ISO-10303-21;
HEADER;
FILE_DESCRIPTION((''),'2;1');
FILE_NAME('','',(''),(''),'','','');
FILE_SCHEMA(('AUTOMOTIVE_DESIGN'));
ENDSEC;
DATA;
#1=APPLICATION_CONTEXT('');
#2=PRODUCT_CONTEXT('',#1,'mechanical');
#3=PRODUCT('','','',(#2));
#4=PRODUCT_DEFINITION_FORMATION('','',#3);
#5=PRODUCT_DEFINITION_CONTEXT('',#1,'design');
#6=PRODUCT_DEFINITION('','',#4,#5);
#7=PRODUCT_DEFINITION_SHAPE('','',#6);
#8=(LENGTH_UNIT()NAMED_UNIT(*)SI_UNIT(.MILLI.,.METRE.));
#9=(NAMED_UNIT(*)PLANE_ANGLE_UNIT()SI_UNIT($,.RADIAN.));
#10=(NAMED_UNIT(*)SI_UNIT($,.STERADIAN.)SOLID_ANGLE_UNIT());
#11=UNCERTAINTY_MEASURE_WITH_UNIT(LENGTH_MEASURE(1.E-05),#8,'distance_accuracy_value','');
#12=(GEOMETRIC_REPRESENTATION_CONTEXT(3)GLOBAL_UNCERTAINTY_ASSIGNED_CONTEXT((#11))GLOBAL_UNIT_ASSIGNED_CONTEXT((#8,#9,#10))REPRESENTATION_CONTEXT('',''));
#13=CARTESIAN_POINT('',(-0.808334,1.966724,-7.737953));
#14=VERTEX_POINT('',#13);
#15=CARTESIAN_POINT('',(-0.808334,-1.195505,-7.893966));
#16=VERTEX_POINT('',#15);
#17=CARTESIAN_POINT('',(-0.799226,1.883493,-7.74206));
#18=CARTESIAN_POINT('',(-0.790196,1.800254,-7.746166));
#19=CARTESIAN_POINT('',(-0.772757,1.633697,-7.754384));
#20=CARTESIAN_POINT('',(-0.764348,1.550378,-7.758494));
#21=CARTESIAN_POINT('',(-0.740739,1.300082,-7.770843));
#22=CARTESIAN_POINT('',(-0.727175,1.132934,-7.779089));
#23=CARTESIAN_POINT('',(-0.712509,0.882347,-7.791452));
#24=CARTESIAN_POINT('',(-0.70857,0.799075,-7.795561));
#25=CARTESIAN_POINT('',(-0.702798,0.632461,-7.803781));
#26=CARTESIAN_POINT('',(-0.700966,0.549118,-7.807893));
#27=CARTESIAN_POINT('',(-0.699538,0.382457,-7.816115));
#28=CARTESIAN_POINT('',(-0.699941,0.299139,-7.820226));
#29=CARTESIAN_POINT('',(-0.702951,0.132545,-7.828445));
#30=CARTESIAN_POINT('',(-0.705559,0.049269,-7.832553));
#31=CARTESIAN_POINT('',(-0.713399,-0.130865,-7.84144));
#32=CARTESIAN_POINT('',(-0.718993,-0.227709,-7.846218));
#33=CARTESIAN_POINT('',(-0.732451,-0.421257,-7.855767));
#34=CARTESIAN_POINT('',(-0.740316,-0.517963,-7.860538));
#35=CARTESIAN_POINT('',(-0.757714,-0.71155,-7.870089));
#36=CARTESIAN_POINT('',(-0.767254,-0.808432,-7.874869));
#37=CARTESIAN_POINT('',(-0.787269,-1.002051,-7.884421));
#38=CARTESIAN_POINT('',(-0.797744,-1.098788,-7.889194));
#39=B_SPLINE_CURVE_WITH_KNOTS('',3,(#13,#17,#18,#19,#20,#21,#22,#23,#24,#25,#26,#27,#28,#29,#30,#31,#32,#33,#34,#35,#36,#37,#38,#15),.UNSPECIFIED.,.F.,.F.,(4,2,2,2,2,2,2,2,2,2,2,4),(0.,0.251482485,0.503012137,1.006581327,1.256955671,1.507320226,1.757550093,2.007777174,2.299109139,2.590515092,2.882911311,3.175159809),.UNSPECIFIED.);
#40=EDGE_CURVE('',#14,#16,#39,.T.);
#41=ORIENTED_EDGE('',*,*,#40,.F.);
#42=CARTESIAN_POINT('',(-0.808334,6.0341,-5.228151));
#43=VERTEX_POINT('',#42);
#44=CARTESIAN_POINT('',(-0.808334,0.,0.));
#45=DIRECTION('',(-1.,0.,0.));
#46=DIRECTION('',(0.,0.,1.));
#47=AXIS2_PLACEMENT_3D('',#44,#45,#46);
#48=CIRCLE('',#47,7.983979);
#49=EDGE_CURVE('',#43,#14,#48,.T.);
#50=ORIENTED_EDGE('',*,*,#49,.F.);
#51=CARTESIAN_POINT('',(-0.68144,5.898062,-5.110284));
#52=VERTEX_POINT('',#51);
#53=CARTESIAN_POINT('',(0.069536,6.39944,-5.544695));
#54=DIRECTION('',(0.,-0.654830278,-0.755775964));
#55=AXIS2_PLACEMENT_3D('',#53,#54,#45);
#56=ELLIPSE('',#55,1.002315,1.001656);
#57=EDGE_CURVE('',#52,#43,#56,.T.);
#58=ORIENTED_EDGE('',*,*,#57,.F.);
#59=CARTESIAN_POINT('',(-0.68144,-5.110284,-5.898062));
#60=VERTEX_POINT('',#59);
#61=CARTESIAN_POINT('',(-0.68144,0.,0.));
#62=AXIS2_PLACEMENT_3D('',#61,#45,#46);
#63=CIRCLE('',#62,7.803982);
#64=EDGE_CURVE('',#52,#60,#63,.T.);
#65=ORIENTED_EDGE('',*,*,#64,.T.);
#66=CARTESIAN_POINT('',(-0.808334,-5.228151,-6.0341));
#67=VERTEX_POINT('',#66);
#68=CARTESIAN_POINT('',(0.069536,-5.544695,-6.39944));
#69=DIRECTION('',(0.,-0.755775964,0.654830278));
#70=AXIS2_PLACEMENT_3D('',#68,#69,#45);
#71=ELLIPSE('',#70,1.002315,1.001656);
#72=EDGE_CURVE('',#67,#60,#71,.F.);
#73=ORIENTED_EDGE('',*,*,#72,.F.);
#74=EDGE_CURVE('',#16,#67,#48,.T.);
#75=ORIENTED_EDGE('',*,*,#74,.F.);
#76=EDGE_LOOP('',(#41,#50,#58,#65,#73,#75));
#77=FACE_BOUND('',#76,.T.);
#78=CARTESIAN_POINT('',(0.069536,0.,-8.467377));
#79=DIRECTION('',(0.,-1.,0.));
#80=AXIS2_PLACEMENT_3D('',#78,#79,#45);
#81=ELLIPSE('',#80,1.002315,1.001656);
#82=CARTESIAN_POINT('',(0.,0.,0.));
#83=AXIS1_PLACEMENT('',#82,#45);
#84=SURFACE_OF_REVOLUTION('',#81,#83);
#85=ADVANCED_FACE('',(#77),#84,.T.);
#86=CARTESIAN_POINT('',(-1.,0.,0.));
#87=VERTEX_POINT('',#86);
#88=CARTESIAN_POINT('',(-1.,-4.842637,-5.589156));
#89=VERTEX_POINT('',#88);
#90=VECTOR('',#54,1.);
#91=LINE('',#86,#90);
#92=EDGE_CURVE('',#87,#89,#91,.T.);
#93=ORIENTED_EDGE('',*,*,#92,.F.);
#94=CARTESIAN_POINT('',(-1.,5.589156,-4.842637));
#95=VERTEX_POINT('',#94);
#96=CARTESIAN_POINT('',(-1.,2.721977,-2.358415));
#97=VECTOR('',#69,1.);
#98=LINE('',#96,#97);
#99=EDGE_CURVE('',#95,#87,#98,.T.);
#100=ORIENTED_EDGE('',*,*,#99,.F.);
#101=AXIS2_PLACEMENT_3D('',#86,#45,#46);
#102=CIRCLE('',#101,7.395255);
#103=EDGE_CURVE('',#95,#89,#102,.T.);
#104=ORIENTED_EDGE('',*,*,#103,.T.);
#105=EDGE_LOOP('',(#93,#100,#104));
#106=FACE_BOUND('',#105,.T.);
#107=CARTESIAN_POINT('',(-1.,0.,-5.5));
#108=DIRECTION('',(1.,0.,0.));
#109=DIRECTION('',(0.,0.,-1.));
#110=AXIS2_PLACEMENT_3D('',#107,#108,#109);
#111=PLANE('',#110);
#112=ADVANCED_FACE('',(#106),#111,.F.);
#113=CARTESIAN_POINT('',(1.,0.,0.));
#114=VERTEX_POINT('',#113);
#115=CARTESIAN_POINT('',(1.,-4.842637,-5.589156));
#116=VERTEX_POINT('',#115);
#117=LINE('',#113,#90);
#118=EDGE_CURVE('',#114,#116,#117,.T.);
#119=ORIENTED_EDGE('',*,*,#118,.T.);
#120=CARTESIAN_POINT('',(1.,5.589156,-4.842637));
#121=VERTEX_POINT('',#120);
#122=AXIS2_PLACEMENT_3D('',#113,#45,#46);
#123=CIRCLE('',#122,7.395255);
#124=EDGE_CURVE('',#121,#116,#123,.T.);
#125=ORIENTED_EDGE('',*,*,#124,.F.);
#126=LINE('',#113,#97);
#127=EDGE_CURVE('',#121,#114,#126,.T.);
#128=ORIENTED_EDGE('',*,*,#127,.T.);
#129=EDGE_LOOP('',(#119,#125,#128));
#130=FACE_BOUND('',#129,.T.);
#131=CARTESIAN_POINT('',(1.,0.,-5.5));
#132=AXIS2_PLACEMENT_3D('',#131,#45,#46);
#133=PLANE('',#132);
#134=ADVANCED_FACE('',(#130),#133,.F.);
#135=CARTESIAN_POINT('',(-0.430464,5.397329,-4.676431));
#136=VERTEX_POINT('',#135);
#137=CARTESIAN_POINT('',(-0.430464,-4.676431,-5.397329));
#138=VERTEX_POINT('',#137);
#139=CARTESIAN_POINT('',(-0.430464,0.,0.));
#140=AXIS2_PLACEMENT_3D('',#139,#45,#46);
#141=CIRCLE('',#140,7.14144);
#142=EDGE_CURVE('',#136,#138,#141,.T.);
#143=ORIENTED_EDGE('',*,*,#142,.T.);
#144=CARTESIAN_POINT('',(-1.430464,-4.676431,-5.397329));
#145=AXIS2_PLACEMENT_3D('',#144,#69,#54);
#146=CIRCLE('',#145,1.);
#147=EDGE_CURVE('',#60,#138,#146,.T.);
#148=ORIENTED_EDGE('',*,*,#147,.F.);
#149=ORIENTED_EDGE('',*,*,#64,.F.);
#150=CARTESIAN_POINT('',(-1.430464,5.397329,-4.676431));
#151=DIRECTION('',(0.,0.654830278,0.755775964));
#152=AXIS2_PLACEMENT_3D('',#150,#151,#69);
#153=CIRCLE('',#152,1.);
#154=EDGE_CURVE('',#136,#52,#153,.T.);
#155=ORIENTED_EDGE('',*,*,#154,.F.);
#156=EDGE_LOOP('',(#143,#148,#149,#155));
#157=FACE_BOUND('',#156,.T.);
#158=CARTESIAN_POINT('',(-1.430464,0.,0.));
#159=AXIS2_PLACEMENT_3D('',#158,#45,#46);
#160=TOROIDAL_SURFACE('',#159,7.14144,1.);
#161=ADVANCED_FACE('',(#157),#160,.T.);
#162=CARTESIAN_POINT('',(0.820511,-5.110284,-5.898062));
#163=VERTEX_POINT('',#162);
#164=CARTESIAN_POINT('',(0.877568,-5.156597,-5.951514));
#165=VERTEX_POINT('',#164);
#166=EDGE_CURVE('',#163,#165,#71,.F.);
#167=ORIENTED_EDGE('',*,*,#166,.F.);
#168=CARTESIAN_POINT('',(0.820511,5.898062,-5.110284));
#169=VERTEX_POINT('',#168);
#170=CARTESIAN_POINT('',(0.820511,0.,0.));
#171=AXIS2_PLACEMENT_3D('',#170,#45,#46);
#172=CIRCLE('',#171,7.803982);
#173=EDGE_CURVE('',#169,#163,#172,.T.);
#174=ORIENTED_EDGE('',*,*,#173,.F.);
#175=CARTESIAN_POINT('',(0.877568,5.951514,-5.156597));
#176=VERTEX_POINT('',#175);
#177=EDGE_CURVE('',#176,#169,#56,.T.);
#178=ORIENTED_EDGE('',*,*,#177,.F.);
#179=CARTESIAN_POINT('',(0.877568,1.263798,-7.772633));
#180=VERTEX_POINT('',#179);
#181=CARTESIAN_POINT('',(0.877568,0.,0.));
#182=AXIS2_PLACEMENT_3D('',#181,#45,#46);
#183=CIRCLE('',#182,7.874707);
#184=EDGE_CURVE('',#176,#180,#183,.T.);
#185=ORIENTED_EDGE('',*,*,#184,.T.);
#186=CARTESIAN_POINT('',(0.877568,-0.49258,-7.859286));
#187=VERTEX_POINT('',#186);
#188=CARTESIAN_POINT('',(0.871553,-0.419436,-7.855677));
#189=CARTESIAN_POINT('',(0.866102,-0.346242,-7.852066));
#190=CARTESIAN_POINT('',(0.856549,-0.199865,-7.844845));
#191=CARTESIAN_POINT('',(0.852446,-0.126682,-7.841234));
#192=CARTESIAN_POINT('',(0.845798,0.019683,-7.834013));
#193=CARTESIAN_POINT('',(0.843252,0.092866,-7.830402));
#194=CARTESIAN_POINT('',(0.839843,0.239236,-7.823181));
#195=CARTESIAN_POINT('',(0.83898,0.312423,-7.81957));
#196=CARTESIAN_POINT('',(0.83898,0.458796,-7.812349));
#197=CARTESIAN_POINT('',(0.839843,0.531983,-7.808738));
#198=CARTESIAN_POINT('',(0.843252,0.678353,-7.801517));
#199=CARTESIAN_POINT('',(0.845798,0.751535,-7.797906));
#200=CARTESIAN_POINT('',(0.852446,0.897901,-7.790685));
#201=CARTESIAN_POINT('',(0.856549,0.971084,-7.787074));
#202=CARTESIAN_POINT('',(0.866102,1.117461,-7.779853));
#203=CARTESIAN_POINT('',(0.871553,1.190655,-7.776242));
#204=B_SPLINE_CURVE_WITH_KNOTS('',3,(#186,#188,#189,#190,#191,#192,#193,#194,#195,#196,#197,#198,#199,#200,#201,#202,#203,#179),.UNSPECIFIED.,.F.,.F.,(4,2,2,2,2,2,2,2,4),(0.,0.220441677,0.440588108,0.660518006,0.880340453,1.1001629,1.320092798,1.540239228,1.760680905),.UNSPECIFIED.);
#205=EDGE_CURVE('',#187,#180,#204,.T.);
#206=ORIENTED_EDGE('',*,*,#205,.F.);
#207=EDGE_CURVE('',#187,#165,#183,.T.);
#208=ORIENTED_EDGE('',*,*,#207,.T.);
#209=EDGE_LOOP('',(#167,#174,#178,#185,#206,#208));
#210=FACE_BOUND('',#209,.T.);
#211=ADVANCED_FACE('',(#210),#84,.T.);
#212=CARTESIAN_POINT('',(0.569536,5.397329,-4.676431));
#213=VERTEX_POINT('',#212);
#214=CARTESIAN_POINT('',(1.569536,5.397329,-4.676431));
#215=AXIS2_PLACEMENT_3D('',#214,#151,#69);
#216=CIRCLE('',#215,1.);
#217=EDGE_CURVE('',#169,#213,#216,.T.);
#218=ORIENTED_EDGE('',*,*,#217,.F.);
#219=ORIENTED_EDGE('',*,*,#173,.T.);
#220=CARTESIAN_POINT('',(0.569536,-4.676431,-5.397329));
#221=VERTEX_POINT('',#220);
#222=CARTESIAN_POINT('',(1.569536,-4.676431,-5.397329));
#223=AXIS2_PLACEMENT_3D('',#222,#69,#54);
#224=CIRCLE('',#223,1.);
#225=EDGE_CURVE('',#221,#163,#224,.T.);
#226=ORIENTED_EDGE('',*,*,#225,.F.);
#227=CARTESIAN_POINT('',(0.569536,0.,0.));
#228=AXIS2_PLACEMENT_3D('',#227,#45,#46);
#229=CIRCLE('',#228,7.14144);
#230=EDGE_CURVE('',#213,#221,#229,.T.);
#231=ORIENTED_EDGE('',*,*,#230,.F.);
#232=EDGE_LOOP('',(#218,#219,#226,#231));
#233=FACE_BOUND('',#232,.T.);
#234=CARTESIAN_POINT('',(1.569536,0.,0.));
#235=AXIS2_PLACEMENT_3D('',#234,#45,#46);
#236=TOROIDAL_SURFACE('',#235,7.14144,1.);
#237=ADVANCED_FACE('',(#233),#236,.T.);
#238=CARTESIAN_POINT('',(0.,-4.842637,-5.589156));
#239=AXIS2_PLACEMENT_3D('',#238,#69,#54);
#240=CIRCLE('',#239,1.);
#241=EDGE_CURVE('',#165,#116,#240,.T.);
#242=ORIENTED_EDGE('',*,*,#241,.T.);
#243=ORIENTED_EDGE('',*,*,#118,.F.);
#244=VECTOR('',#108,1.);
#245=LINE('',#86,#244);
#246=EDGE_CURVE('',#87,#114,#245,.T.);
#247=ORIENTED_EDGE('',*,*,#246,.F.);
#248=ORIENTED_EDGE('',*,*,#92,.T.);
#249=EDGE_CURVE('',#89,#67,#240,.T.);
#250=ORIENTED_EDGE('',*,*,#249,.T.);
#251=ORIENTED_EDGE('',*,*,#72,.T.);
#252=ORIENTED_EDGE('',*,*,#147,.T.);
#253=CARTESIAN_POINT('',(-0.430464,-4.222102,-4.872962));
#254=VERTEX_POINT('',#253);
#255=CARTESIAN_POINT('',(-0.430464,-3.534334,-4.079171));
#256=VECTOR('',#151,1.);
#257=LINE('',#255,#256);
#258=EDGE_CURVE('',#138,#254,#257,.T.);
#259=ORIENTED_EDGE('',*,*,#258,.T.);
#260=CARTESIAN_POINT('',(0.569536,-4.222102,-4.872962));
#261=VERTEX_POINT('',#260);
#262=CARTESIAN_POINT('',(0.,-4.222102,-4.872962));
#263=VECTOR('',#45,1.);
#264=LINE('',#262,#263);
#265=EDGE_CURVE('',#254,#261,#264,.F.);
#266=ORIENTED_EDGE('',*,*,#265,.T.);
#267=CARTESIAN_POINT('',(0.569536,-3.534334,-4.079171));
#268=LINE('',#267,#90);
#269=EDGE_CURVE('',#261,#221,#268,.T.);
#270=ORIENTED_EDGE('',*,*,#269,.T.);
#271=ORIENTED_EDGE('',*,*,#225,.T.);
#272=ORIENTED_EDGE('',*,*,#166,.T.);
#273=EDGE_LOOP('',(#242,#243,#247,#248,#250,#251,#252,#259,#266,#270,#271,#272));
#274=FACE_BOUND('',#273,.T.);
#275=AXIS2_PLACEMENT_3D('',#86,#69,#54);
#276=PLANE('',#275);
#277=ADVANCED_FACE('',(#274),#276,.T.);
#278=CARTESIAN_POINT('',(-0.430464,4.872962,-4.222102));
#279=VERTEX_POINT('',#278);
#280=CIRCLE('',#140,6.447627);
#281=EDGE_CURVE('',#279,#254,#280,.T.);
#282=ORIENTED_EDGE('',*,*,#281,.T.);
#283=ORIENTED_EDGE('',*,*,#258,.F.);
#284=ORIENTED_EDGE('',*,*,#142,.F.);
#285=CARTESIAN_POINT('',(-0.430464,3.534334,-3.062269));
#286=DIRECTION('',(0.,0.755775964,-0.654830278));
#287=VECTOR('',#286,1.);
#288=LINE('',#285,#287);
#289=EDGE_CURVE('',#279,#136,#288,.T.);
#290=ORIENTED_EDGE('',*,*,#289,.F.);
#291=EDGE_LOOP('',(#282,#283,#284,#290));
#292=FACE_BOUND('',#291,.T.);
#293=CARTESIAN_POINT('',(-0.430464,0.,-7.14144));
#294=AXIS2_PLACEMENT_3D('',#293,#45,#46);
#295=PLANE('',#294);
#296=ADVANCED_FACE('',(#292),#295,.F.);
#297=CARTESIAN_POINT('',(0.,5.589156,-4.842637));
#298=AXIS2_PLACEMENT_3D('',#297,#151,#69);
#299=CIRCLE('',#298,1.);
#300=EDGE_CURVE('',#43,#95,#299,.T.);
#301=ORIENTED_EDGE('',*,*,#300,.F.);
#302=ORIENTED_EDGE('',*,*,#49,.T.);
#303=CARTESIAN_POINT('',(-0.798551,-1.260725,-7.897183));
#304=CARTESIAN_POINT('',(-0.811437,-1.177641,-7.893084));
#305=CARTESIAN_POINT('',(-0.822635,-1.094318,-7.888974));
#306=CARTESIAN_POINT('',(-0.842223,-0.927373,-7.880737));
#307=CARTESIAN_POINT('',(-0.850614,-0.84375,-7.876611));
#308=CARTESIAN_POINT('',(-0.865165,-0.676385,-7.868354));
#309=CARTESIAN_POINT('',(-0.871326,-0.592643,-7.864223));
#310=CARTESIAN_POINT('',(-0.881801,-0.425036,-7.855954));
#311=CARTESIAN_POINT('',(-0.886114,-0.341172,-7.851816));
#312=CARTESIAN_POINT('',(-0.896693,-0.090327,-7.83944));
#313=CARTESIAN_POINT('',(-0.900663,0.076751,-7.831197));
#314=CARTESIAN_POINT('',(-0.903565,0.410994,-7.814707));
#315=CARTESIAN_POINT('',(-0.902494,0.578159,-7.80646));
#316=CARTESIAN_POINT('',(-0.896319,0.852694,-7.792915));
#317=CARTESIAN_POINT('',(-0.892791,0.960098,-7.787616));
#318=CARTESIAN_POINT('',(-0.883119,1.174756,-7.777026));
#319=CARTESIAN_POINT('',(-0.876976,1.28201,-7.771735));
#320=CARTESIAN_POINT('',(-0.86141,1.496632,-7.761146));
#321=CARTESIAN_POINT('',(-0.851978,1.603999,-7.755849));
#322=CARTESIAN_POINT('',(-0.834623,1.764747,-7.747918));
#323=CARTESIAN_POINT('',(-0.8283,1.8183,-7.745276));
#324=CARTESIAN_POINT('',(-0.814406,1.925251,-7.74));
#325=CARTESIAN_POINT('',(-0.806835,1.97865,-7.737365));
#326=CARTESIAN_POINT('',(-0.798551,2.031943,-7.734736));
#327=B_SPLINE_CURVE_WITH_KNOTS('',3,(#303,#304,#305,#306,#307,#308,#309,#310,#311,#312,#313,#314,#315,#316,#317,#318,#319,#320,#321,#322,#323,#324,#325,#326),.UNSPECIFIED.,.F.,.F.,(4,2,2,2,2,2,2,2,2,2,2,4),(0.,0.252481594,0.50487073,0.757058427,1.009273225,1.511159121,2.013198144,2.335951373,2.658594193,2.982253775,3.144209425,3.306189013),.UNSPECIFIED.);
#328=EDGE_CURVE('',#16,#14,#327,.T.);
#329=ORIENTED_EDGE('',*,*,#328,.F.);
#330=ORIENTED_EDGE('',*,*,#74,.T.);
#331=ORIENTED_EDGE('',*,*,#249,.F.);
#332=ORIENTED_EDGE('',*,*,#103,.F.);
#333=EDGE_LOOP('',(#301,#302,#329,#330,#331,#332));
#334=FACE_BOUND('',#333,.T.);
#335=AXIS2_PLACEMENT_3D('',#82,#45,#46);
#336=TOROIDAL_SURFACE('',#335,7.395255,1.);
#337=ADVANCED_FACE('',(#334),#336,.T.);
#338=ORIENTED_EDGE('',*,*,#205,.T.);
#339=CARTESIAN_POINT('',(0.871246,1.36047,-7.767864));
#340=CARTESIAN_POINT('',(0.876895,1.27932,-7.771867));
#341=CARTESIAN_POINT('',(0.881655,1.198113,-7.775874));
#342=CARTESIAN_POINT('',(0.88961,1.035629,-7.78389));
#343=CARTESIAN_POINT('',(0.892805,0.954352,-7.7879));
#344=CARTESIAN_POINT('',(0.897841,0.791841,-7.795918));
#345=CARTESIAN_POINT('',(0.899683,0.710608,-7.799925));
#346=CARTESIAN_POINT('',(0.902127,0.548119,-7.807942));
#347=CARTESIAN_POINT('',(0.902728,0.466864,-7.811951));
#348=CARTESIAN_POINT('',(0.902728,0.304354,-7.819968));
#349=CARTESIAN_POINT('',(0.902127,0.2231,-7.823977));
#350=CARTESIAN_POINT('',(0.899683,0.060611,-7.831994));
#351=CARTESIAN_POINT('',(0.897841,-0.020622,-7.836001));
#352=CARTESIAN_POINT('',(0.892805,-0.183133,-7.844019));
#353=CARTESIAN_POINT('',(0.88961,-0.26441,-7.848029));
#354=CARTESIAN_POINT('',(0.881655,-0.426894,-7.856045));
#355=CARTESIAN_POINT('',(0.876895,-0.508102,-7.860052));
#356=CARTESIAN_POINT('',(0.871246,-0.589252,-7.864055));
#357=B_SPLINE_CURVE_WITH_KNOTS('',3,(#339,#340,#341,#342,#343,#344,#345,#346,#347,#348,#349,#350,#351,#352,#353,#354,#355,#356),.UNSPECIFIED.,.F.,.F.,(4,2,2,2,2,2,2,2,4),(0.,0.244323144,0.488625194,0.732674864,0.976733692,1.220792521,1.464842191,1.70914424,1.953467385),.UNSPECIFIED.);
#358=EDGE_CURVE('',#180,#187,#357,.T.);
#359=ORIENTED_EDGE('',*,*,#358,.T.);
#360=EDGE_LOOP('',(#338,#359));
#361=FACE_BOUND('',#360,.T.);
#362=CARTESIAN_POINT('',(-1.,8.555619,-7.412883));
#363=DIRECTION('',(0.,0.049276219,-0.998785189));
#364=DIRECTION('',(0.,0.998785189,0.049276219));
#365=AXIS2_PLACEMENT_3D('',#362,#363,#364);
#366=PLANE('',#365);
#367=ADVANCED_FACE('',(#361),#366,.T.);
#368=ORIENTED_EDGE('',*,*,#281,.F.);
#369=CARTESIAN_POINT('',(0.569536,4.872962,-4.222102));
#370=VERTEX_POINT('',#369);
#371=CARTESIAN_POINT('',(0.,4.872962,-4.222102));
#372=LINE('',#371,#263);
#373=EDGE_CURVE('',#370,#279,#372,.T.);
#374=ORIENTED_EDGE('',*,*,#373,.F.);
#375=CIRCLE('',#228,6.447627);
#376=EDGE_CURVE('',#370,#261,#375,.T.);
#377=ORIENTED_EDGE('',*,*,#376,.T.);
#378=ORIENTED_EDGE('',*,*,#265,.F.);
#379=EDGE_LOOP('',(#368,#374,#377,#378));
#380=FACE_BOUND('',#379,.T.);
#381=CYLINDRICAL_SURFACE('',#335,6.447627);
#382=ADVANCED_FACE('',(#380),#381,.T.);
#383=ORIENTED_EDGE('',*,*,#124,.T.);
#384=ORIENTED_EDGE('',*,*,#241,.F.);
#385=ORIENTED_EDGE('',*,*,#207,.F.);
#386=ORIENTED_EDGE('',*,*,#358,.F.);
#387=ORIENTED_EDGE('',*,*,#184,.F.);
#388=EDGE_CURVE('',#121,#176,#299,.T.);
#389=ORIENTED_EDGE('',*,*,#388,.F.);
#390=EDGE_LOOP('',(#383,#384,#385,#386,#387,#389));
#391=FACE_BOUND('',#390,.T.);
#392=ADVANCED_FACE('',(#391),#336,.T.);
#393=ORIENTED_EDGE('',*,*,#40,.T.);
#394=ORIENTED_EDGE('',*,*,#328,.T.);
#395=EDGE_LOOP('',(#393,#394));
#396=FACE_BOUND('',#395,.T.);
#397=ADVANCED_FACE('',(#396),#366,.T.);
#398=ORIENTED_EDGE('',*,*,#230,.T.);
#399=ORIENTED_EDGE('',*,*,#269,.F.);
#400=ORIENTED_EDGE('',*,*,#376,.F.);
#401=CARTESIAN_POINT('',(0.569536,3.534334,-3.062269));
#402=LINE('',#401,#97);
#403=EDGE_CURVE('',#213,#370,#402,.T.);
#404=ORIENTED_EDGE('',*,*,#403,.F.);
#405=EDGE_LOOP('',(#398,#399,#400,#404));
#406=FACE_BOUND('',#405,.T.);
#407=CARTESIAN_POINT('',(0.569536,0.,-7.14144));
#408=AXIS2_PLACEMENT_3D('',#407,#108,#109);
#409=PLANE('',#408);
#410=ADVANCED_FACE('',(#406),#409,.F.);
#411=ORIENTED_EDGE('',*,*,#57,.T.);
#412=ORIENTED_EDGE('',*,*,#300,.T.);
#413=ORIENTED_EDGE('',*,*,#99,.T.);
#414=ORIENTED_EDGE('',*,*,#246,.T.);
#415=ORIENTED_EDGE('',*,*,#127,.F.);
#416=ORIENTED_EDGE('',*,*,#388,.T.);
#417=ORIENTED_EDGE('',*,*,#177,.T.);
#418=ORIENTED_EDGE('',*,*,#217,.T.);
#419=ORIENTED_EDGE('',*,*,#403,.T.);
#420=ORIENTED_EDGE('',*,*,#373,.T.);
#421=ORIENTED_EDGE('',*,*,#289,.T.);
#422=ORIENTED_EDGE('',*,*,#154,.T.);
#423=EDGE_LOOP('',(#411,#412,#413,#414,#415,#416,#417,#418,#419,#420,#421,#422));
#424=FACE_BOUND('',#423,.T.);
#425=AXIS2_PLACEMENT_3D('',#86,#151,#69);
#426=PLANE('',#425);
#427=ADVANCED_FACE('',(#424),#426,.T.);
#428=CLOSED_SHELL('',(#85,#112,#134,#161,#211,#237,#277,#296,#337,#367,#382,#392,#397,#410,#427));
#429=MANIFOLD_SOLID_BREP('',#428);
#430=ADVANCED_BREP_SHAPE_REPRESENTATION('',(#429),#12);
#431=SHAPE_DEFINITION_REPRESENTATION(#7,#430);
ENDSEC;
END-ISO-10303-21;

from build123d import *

# Parameters (mm, degrees)
CUT_EXTRUDE1_DEPTH      = 12.33524834
CUT_EXTRUDE1_DEPTH_BACK = 12.33524834
SKETCH3_OUTSIDE_W       = 22.502
SKETCH3_OUTSIDE_H       = 22.502


with BuildPart() as part:
    # Sketch2 → Revolve1 (revolve)
    with BuildSketch(Plane(origin=(0, 0, 0), x_dir=(1, 0, 0), z_dir=(0, 1, 0)), mode=Mode.PRIVATE) as revolve1_sk:
        with BuildLine():
            Line((-1, 0), (1, 0))
            Line((1, 0), (1, 5.5))
            Line((1, 5.5), (1, 7.395254938))
            ThreePointArc((1, 7.395254938), (0.968908672, 7.642673583), (0.877568029, 7.874707079))
            add(Edge.make_bspline(
                [(0.820511391, 7.803982399), (0.850646042, 7.838050546), (0.877568029, 7.874707079)],
                knots=[2.4177114, 2.4177114, 2.4177114, 2.508439234, 2.508439234, 2.508439234], degree=2, weights=[1, 0.998971234, 1]))
            ThreePointArc((0.820511391, 7.803982399), (0.634382255, 7.495682579), (0.569535838, 7.14144004))
            Line((0.569535838, 7.14144004), (0.569535838, 6.447627469))
            Line((0.569535838, 6.447627469), (-0.430464162, 6.447627469))
            Line((-0.430464162, 6.447627469), (-0.430464162, 7.14144004))
            ThreePointArc((-0.430464162, 7.14144004), (-0.495310579, 7.495682579), (-0.681439715, 7.803982399))
            add(Edge.make_bspline(
                [(-0.80833384, 7.983979325), (-0.754845236, 7.886969591), (-0.681439715, 7.803982399)],
                knots=[0.503618874, 0.503618874, 0.503618874, 0.723881254, 0.723881254, 0.723881254], degree=2, weights=[1, 0.993941688, 1]))
            ThreePointArc((-0.80833384, 7.983979325), (-0.950876921, 7.704824123), (-1, 7.395254938))
            Line((-1, 7.395254938), (-1, 5.5))
            Line((-1, 5.5), (-1, 0))
        make_face()
    revolve(revolve1_sk.sketch.rotate(Axis((0, 0, 0), (1, 0, 0)), 180), axis=Axis((0, 0, 0), (1, 0, 0)))

    # Sketch3 outside → Cut-Extrude1 (cut, two sides: drawn at the far end of the back side and taken through both)
    with BuildSketch(Plane(origin=(0, 0, 0), x_dir=(0, 0, -1), z_dir=(1, 0, 0)).offset(-CUT_EXTRUDE1_DEPTH_BACK)):
        Rectangle(SKETCH3_OUTSIDE_W, SKETCH3_OUTSIDE_H)
        Polygon((0, 0), (7.412882699, 8.555619308), (8.184858407, -7.091642708), align=None, mode=Mode.SUBTRACT)
    extrude(amount=CUT_EXTRUDE1_DEPTH + CUT_EXTRUDE1_DEPTH_BACK, mode=Mode.SUBTRACT)


solid = part.part
